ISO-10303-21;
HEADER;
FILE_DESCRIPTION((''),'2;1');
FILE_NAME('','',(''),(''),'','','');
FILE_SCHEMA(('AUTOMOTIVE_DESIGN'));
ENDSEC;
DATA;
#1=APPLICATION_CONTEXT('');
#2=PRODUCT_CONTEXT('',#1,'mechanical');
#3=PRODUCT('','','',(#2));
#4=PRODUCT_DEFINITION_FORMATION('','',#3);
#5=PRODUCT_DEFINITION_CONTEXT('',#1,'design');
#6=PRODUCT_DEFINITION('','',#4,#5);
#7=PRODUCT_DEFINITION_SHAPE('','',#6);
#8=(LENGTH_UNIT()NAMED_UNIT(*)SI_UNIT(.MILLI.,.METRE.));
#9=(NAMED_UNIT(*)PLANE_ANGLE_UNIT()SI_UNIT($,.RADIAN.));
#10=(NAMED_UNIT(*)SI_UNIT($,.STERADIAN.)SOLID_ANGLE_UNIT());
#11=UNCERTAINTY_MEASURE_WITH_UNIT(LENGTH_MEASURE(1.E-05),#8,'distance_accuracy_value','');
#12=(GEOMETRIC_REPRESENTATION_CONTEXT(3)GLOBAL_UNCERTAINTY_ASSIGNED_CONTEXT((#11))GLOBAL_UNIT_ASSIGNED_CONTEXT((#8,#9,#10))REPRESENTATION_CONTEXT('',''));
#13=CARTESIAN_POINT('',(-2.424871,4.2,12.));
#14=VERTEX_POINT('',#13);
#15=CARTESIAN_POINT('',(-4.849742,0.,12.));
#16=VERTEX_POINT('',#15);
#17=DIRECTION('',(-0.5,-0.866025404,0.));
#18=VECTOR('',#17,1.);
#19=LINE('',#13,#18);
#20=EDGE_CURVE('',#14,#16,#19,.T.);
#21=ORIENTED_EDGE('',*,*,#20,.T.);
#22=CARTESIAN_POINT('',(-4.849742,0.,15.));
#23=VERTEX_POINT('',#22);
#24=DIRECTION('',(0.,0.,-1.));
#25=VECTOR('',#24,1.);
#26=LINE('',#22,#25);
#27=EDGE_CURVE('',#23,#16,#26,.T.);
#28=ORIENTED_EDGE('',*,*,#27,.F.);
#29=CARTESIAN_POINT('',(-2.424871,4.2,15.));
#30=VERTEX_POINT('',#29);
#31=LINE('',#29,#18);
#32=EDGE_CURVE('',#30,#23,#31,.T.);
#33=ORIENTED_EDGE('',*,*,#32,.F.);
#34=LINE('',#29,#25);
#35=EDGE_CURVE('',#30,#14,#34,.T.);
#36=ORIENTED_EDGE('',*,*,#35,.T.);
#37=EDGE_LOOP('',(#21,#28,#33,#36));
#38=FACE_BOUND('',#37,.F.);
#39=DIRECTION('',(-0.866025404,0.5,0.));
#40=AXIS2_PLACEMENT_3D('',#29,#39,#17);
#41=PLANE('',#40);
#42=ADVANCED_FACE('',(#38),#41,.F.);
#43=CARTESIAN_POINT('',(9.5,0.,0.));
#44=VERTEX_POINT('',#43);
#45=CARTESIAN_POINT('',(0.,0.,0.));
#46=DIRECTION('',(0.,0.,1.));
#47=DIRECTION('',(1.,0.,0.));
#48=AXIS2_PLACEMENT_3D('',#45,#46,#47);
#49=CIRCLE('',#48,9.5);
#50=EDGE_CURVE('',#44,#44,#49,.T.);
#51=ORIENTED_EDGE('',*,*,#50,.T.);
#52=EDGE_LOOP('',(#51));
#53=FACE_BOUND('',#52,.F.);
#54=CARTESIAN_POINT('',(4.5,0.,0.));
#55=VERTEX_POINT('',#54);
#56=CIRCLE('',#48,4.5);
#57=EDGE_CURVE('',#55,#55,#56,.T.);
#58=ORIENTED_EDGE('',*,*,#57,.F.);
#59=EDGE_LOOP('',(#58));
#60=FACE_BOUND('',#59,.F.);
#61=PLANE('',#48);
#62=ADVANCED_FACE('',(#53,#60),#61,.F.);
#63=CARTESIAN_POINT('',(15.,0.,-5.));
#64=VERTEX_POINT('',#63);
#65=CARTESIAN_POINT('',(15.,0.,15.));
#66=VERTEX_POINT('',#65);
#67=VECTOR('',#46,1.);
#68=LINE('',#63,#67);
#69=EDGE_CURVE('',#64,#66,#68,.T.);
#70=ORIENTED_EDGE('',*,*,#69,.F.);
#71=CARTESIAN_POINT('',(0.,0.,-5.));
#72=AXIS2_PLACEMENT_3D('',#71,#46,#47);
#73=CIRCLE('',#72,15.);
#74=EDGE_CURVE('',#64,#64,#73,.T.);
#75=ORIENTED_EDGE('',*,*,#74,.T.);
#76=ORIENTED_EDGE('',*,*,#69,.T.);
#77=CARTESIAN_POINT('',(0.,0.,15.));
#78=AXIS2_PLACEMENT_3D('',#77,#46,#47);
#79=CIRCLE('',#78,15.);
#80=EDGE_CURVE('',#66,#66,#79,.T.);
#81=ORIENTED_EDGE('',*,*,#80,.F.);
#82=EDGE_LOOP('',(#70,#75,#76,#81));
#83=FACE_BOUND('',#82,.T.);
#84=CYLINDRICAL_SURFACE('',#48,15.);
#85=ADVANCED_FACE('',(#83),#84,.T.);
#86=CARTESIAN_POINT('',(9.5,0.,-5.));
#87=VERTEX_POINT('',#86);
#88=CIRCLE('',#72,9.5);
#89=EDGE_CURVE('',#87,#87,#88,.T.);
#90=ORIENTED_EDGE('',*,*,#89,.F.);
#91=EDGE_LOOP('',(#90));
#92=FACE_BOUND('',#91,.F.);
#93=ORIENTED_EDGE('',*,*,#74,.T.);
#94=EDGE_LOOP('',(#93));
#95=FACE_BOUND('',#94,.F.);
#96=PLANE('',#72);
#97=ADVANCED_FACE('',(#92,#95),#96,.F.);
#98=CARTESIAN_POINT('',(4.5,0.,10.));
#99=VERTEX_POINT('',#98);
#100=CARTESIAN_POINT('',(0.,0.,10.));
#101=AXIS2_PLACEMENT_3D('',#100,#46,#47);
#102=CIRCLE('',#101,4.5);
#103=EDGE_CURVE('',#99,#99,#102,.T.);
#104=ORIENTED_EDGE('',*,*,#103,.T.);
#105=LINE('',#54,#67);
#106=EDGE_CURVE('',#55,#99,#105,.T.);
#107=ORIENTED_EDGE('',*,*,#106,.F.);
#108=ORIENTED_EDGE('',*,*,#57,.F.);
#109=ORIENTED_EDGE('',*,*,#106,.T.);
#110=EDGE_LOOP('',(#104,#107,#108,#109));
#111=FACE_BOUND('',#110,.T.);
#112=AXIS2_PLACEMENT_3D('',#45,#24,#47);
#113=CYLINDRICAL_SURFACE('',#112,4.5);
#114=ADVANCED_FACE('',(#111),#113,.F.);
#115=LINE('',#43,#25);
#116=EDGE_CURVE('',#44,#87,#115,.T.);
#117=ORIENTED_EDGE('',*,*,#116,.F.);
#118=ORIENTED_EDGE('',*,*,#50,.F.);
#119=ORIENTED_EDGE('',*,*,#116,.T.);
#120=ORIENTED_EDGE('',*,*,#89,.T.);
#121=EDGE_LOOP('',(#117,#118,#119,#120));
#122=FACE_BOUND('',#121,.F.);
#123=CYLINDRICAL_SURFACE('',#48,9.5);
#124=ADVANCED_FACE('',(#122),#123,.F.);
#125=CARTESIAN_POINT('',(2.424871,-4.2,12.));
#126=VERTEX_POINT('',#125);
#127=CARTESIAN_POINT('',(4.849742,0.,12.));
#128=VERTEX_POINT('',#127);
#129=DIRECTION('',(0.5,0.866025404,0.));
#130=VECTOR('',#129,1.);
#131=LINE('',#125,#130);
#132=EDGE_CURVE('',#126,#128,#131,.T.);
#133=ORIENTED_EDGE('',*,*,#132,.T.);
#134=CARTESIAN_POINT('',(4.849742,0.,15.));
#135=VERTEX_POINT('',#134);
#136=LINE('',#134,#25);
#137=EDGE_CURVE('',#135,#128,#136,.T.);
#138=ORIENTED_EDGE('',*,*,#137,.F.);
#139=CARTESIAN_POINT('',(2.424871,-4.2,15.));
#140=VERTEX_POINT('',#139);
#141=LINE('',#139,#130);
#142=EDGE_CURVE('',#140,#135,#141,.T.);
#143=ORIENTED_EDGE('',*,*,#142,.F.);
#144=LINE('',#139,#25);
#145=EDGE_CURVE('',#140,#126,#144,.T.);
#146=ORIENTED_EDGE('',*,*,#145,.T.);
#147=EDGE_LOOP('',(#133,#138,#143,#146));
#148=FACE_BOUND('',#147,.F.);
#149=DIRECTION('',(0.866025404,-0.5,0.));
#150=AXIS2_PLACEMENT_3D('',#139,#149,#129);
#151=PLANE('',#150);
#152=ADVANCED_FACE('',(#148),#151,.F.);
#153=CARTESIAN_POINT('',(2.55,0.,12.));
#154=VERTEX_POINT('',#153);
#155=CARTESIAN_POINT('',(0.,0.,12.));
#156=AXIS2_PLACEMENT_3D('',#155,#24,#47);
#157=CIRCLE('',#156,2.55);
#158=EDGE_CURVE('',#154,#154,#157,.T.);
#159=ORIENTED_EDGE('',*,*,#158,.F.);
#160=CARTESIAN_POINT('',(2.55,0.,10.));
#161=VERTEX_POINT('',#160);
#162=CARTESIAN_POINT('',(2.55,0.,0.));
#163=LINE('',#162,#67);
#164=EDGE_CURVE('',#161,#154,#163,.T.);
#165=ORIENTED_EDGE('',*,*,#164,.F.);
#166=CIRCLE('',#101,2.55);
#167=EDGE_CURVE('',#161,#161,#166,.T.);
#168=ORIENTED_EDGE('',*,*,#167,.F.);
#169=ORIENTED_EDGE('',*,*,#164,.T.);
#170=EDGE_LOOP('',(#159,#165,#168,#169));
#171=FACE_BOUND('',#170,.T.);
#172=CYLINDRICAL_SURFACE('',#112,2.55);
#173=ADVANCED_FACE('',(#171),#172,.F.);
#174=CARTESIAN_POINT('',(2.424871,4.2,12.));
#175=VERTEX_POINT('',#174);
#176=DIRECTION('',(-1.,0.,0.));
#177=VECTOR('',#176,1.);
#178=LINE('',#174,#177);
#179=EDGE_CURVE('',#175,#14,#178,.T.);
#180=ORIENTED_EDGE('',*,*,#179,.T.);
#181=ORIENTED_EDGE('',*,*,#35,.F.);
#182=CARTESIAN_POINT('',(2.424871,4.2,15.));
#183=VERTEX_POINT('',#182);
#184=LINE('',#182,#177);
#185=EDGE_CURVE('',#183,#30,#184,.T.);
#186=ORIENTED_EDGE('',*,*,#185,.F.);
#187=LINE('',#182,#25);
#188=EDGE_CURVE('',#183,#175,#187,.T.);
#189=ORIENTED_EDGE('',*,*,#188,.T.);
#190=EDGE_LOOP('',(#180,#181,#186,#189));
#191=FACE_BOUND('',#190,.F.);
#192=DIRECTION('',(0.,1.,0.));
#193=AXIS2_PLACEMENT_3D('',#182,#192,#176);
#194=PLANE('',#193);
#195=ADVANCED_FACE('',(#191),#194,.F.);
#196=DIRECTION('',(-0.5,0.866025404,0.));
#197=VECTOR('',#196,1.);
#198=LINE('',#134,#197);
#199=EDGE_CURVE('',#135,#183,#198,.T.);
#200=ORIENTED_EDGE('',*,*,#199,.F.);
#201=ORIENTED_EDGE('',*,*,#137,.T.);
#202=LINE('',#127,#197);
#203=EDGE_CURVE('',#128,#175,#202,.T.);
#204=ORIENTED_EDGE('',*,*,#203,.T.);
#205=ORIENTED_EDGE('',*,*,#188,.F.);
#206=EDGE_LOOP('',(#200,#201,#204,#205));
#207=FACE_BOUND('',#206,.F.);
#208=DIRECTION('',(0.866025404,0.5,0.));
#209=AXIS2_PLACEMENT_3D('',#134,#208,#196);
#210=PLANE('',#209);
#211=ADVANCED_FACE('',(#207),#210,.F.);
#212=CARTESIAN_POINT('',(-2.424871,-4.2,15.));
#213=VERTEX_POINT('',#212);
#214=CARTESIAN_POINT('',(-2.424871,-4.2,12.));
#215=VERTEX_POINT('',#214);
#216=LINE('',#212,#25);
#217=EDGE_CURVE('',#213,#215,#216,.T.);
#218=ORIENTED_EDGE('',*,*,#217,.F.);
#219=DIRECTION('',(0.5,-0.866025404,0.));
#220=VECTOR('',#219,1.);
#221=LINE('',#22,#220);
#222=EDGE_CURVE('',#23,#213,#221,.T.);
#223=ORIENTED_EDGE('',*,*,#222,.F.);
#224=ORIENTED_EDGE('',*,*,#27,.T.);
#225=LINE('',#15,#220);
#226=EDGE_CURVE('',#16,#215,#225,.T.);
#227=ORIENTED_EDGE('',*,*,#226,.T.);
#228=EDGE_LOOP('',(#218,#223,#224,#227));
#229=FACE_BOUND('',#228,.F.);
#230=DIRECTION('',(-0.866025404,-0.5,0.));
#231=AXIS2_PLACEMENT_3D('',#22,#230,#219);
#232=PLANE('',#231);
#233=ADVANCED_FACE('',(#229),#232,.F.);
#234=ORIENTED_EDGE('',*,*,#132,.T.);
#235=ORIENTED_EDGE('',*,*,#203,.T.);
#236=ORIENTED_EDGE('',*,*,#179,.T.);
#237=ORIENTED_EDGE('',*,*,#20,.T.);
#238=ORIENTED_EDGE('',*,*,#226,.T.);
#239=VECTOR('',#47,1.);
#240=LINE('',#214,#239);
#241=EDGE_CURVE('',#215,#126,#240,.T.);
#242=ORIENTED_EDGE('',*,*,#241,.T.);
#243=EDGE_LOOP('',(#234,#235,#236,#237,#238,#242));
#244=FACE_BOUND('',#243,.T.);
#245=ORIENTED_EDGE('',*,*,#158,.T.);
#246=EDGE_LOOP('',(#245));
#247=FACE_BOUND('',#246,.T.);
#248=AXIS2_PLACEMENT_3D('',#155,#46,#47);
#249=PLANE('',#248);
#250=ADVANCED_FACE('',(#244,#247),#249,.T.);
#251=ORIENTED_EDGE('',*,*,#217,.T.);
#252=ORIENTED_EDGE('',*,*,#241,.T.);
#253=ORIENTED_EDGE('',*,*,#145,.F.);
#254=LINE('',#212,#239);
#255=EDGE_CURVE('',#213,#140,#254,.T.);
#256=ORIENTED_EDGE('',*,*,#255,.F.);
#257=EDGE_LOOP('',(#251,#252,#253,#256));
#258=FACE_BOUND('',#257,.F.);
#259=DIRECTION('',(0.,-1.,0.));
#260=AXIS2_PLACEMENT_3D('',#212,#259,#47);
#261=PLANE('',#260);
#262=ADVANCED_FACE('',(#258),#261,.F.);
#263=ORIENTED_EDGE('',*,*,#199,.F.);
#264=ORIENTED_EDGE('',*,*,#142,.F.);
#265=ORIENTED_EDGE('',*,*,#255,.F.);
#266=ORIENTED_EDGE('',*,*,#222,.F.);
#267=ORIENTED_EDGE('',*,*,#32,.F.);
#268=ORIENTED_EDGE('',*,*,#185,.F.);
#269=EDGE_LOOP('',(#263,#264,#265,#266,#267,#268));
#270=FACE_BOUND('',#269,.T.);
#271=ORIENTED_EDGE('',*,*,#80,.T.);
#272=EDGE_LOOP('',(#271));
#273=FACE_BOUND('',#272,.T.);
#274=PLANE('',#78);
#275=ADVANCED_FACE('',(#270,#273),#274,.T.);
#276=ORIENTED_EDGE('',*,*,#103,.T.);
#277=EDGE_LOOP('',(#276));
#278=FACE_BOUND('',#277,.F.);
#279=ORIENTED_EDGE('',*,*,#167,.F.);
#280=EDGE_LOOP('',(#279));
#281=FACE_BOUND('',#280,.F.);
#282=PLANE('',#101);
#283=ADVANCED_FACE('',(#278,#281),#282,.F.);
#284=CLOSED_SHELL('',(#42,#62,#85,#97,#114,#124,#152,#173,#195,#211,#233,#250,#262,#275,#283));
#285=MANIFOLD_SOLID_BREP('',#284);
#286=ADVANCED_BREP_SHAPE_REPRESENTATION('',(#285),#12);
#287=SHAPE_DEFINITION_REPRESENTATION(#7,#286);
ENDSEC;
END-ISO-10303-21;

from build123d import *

# Parameters (mm, degrees)
F0_R     = 15
F0_R_2   = 9.5
F0_R_3   = 4.5
F0_R_4   = 2.55
F1_DEPTH = 15
F3_DEPTH = 3
F4_DEPTH = 10
F5_DEPTH = 5


with BuildPart() as f1:
    # F0 (on Top) → F1 (new body)
    with BuildSketch(Plane.XY):
        Circle(F0_R)
        Circle(F0_R_2, mode=Mode.SUBTRACT)
        Circle(F0_R_2)
        Circle(F0_R_3, mode=Mode.SUBTRACT)
        Circle(F0_R_3)
        Circle(F0_R_4, mode=Mode.SUBTRACT)
    extrude(amount=F1_DEPTH)

    # F2 (on face) → F3 (cut)
    with BuildSketch(Plane.XY.offset(15)):
        Polygon((2.4248711306, -4.2), (4.8497422612, 0), (2.4248711306, 4.2), (-2.4248711306, 4.2), (-4.8497422612, 0), (-2.4248711306, -4.2), align=None)
    extrude(amount=-F3_DEPTH, mode=Mode.SUBTRACT)

    # F0 (on Top) → F4 (cut)
    with BuildSketch(Plane.XY):
        Circle(F0_R_3)
        Circle(F0_R_4, mode=Mode.SUBTRACT)
    extrude(amount=F4_DEPTH, mode=Mode.SUBTRACT)

    # F0 (on Top) → F5 (join)
    with BuildSketch(Plane.XY):
        Circle(F0_R)
        Circle(F0_R_2, mode=Mode.SUBTRACT)
    extrude(amount=-F5_DEPTH)


solid = f1.part
